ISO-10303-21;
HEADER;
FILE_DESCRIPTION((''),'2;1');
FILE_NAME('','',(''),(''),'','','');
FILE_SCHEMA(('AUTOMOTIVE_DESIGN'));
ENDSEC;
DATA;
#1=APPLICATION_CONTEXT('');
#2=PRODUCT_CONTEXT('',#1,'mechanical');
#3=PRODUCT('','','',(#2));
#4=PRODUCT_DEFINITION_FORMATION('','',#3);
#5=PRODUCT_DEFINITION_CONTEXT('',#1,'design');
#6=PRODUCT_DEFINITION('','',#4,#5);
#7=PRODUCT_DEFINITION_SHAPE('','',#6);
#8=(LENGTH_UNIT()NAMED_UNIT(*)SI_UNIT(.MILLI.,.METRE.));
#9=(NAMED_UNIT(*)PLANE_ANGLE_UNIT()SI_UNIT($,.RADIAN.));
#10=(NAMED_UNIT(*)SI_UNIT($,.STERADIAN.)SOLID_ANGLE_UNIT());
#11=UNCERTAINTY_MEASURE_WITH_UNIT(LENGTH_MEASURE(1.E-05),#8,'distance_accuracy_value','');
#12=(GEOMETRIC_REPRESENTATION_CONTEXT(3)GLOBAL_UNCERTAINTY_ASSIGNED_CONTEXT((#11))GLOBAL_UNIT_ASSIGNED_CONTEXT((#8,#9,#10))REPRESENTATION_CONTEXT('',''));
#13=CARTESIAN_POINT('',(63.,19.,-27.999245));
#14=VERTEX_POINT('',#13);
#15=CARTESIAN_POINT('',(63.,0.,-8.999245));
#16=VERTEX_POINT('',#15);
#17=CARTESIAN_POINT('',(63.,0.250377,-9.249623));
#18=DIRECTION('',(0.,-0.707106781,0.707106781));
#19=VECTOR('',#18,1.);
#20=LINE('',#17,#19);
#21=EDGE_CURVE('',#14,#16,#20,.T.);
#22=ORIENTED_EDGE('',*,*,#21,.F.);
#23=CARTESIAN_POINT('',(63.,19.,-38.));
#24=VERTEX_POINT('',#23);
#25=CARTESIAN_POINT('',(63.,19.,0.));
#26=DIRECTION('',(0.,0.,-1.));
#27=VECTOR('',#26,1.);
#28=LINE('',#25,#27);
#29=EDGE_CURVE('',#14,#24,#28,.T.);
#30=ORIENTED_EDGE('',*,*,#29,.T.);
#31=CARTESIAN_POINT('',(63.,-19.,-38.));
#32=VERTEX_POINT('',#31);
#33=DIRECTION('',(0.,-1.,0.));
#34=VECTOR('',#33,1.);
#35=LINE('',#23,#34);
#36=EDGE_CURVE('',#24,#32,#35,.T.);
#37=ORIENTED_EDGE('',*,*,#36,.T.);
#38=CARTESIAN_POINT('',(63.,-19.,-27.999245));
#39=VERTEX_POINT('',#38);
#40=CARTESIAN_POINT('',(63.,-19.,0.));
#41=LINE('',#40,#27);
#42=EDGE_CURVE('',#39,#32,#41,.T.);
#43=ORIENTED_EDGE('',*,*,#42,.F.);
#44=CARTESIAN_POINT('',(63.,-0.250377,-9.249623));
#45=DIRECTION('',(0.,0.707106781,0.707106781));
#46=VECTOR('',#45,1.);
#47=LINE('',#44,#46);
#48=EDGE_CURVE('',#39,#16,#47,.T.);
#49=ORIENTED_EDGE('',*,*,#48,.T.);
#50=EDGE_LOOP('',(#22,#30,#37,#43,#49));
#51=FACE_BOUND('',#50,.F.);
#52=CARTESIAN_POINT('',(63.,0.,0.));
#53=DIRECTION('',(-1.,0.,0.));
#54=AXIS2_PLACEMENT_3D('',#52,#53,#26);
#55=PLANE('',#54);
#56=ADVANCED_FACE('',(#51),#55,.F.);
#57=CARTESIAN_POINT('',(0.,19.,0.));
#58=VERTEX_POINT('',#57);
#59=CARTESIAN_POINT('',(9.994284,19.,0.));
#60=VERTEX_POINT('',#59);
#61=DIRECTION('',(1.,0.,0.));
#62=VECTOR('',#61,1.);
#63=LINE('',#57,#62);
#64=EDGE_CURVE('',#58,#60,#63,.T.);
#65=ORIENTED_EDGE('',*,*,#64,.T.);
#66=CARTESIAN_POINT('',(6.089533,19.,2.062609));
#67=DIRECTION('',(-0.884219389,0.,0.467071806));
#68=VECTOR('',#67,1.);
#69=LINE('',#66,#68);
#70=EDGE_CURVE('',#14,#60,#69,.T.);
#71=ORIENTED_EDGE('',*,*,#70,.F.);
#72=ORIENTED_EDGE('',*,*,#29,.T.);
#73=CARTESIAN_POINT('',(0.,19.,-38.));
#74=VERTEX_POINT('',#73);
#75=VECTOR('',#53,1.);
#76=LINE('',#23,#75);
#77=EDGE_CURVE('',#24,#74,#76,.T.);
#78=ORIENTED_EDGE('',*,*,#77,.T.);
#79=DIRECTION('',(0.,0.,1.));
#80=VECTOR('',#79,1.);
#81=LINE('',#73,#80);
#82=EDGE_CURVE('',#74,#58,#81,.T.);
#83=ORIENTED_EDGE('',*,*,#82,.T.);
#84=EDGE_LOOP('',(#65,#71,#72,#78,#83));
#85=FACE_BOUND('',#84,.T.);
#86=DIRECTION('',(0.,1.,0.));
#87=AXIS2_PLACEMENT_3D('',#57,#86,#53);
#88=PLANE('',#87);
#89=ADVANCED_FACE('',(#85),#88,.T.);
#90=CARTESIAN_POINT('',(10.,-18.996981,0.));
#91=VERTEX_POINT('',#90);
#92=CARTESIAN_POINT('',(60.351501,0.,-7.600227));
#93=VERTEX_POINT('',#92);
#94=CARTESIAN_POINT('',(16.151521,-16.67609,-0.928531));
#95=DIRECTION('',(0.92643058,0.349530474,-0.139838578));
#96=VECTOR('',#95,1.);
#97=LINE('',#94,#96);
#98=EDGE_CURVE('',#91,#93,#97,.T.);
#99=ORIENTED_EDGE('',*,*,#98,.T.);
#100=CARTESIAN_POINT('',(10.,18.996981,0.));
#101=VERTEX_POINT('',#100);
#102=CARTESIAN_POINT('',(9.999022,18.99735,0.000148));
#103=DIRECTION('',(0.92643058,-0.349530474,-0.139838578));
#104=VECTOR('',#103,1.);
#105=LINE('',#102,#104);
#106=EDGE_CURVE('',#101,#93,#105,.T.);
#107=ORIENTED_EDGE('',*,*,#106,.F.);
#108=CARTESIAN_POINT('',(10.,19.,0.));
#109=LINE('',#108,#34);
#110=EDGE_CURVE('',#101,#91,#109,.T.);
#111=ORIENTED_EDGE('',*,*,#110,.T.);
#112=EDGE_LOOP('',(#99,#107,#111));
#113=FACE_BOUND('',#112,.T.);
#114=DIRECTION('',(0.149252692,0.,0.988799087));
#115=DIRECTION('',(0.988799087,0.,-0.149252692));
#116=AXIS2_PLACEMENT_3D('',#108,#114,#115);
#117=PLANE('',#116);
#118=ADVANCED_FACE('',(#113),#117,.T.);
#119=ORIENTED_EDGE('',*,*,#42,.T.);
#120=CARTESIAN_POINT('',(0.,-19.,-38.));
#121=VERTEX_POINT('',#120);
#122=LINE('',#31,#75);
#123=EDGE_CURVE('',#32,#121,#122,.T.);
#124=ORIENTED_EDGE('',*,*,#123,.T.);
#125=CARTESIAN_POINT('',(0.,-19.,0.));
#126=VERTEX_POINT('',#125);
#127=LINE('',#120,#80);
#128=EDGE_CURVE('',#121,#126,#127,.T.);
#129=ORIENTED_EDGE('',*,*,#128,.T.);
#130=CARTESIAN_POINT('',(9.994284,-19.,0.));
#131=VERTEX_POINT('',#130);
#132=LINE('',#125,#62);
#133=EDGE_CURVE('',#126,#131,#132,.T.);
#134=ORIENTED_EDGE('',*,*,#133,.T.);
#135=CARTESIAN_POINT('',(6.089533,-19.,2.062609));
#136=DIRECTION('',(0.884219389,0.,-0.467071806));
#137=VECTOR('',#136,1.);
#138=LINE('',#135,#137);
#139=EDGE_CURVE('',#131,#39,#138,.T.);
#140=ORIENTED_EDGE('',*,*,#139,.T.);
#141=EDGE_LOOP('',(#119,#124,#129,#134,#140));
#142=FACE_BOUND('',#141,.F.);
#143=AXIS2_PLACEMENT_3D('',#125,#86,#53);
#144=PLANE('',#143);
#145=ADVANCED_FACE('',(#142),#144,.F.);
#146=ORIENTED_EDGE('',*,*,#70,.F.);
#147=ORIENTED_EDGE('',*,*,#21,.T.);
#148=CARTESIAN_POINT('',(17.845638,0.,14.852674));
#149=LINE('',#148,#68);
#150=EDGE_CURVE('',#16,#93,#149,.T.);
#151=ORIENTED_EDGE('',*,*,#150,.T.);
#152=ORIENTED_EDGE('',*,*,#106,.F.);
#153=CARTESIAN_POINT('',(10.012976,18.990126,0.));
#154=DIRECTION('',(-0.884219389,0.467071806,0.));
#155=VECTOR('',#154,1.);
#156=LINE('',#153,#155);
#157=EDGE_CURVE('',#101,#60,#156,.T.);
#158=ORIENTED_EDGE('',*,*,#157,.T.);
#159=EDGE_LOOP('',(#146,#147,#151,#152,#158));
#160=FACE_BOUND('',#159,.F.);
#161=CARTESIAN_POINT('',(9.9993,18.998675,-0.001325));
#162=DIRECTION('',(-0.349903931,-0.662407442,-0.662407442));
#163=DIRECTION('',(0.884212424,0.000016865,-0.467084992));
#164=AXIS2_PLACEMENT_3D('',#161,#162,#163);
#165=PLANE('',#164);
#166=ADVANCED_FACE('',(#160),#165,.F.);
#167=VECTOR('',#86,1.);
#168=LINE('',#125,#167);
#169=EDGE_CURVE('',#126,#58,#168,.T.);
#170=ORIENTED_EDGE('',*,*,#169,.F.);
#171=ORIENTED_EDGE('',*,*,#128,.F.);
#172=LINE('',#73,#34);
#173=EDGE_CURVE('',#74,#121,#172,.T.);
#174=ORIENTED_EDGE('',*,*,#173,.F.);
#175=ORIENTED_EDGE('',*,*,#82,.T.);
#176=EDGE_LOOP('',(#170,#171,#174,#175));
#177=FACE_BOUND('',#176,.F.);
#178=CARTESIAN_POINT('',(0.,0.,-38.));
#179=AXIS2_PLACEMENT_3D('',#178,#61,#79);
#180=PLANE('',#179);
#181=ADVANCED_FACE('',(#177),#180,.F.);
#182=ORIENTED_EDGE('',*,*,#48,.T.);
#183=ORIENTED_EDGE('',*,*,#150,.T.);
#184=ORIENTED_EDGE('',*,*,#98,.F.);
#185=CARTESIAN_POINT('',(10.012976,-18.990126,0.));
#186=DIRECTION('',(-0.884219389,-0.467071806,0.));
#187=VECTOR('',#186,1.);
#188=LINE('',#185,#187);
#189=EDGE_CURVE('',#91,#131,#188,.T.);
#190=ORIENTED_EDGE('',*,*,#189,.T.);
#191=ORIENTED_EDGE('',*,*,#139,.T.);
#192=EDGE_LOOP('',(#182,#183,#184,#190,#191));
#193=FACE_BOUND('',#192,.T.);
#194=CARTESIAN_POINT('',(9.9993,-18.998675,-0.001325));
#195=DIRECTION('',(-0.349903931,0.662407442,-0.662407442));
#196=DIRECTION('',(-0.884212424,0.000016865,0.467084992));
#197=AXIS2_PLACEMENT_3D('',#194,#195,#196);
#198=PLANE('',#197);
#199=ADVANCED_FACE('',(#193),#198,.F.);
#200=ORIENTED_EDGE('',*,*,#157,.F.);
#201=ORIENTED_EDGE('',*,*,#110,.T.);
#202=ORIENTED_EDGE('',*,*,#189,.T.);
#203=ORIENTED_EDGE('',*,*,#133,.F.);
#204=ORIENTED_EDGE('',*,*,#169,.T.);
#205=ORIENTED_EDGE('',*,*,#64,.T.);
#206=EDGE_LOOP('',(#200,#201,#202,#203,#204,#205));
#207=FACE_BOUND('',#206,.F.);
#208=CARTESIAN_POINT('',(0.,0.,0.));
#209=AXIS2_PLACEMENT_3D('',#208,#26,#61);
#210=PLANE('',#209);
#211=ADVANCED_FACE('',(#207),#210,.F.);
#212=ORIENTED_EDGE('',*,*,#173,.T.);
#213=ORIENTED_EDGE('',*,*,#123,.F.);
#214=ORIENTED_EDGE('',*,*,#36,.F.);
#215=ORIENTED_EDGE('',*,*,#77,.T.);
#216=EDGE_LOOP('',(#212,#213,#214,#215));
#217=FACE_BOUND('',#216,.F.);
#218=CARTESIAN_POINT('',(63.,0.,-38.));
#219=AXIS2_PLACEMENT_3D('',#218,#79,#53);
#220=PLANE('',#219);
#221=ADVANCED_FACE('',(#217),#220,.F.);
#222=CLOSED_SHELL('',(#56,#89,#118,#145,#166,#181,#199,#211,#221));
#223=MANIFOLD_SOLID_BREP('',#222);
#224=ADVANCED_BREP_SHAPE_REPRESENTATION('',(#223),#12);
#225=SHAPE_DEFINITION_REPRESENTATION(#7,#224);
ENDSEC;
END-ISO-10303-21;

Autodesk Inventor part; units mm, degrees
ref_plane "YZ Plane" through (0, 0, 0) normal (1, 0, 0) x (0, 1, 0)
ref_plane "XZ Plane" through (0, 0, 0) normal (0, 1, 0) x (-1, 0, 0)
sketch "草圖1" plane through (0, 0, 0) normal (0, 1, 0) x (-1, 0, 0)
  line L0 (0, 0) -> (-63, 0)
  line L1 (-63, 0) -> (-63, -38)
  line L2 (-63, -38) -> (0, -38)
  line L3 (0, -38) -> (0, 0)
  dimension "d0" = 63
  dimension "d1" = 38
extrude "擠出1" add sketch "草圖1" along normal mid plane 38
sketch "草圖2" plane through (0, 19, 0) normal (0, 1, 0) x (1, 0, 0)
  line L0 (0, 0) -> (63, 0) projected
  line L1 (10, 0) -> (63, 8)
  line L2 (63, 0) -> (63, 38) projected
  dimension "d4" = 10
  dimension "d5" = 30
extrude "擠出2" cut sketch "草圖2" against normal blind 40
sketch "草圖3" plane through (63, -19, -38) normal (1, 0, 0) x (0, 0, -1)
  line L0 (-30, 18) -> (-10, 38)
  line L1 (0, 38) -> (-38, 38) projected
  line L2 (-30, 38) -> (-30, 0) projected
  point P0 (-38, 19)
  dimension "d8" = 20
  dimension "d9" = 20
ref_plane "工作平面1" through (10, 19, 0) normal (-0.3499, -0.6624, -0.6624) x (0.8842, 0, -0.4671)
sketch "草圖4" plane through (10, 19, 0) normal (-0.3499, -0.6624, -0.6624) x (0.8842, 0, -0.4671)
  line L0 (-15.1543, -12.3218) -> (93.717, -12.3218)
  line L1 (93.717, -12.3218) -> (93.717, 28.8166)
  line L2 (93.717, 28.8166) -> (-15.1543, 28.8166)
  line L3 (-15.1543, 28.8166) -> (-15.1543, -12.3218)
  point P0 (-8.8419, 11.1397)
extrude "擠出3" cut sketch "草圖4" against normal blind 40
mirror "鏡射1" about plane through (0, 0, 0) normal (0, 1, 0) of "擠出3"
properties part number "29"
